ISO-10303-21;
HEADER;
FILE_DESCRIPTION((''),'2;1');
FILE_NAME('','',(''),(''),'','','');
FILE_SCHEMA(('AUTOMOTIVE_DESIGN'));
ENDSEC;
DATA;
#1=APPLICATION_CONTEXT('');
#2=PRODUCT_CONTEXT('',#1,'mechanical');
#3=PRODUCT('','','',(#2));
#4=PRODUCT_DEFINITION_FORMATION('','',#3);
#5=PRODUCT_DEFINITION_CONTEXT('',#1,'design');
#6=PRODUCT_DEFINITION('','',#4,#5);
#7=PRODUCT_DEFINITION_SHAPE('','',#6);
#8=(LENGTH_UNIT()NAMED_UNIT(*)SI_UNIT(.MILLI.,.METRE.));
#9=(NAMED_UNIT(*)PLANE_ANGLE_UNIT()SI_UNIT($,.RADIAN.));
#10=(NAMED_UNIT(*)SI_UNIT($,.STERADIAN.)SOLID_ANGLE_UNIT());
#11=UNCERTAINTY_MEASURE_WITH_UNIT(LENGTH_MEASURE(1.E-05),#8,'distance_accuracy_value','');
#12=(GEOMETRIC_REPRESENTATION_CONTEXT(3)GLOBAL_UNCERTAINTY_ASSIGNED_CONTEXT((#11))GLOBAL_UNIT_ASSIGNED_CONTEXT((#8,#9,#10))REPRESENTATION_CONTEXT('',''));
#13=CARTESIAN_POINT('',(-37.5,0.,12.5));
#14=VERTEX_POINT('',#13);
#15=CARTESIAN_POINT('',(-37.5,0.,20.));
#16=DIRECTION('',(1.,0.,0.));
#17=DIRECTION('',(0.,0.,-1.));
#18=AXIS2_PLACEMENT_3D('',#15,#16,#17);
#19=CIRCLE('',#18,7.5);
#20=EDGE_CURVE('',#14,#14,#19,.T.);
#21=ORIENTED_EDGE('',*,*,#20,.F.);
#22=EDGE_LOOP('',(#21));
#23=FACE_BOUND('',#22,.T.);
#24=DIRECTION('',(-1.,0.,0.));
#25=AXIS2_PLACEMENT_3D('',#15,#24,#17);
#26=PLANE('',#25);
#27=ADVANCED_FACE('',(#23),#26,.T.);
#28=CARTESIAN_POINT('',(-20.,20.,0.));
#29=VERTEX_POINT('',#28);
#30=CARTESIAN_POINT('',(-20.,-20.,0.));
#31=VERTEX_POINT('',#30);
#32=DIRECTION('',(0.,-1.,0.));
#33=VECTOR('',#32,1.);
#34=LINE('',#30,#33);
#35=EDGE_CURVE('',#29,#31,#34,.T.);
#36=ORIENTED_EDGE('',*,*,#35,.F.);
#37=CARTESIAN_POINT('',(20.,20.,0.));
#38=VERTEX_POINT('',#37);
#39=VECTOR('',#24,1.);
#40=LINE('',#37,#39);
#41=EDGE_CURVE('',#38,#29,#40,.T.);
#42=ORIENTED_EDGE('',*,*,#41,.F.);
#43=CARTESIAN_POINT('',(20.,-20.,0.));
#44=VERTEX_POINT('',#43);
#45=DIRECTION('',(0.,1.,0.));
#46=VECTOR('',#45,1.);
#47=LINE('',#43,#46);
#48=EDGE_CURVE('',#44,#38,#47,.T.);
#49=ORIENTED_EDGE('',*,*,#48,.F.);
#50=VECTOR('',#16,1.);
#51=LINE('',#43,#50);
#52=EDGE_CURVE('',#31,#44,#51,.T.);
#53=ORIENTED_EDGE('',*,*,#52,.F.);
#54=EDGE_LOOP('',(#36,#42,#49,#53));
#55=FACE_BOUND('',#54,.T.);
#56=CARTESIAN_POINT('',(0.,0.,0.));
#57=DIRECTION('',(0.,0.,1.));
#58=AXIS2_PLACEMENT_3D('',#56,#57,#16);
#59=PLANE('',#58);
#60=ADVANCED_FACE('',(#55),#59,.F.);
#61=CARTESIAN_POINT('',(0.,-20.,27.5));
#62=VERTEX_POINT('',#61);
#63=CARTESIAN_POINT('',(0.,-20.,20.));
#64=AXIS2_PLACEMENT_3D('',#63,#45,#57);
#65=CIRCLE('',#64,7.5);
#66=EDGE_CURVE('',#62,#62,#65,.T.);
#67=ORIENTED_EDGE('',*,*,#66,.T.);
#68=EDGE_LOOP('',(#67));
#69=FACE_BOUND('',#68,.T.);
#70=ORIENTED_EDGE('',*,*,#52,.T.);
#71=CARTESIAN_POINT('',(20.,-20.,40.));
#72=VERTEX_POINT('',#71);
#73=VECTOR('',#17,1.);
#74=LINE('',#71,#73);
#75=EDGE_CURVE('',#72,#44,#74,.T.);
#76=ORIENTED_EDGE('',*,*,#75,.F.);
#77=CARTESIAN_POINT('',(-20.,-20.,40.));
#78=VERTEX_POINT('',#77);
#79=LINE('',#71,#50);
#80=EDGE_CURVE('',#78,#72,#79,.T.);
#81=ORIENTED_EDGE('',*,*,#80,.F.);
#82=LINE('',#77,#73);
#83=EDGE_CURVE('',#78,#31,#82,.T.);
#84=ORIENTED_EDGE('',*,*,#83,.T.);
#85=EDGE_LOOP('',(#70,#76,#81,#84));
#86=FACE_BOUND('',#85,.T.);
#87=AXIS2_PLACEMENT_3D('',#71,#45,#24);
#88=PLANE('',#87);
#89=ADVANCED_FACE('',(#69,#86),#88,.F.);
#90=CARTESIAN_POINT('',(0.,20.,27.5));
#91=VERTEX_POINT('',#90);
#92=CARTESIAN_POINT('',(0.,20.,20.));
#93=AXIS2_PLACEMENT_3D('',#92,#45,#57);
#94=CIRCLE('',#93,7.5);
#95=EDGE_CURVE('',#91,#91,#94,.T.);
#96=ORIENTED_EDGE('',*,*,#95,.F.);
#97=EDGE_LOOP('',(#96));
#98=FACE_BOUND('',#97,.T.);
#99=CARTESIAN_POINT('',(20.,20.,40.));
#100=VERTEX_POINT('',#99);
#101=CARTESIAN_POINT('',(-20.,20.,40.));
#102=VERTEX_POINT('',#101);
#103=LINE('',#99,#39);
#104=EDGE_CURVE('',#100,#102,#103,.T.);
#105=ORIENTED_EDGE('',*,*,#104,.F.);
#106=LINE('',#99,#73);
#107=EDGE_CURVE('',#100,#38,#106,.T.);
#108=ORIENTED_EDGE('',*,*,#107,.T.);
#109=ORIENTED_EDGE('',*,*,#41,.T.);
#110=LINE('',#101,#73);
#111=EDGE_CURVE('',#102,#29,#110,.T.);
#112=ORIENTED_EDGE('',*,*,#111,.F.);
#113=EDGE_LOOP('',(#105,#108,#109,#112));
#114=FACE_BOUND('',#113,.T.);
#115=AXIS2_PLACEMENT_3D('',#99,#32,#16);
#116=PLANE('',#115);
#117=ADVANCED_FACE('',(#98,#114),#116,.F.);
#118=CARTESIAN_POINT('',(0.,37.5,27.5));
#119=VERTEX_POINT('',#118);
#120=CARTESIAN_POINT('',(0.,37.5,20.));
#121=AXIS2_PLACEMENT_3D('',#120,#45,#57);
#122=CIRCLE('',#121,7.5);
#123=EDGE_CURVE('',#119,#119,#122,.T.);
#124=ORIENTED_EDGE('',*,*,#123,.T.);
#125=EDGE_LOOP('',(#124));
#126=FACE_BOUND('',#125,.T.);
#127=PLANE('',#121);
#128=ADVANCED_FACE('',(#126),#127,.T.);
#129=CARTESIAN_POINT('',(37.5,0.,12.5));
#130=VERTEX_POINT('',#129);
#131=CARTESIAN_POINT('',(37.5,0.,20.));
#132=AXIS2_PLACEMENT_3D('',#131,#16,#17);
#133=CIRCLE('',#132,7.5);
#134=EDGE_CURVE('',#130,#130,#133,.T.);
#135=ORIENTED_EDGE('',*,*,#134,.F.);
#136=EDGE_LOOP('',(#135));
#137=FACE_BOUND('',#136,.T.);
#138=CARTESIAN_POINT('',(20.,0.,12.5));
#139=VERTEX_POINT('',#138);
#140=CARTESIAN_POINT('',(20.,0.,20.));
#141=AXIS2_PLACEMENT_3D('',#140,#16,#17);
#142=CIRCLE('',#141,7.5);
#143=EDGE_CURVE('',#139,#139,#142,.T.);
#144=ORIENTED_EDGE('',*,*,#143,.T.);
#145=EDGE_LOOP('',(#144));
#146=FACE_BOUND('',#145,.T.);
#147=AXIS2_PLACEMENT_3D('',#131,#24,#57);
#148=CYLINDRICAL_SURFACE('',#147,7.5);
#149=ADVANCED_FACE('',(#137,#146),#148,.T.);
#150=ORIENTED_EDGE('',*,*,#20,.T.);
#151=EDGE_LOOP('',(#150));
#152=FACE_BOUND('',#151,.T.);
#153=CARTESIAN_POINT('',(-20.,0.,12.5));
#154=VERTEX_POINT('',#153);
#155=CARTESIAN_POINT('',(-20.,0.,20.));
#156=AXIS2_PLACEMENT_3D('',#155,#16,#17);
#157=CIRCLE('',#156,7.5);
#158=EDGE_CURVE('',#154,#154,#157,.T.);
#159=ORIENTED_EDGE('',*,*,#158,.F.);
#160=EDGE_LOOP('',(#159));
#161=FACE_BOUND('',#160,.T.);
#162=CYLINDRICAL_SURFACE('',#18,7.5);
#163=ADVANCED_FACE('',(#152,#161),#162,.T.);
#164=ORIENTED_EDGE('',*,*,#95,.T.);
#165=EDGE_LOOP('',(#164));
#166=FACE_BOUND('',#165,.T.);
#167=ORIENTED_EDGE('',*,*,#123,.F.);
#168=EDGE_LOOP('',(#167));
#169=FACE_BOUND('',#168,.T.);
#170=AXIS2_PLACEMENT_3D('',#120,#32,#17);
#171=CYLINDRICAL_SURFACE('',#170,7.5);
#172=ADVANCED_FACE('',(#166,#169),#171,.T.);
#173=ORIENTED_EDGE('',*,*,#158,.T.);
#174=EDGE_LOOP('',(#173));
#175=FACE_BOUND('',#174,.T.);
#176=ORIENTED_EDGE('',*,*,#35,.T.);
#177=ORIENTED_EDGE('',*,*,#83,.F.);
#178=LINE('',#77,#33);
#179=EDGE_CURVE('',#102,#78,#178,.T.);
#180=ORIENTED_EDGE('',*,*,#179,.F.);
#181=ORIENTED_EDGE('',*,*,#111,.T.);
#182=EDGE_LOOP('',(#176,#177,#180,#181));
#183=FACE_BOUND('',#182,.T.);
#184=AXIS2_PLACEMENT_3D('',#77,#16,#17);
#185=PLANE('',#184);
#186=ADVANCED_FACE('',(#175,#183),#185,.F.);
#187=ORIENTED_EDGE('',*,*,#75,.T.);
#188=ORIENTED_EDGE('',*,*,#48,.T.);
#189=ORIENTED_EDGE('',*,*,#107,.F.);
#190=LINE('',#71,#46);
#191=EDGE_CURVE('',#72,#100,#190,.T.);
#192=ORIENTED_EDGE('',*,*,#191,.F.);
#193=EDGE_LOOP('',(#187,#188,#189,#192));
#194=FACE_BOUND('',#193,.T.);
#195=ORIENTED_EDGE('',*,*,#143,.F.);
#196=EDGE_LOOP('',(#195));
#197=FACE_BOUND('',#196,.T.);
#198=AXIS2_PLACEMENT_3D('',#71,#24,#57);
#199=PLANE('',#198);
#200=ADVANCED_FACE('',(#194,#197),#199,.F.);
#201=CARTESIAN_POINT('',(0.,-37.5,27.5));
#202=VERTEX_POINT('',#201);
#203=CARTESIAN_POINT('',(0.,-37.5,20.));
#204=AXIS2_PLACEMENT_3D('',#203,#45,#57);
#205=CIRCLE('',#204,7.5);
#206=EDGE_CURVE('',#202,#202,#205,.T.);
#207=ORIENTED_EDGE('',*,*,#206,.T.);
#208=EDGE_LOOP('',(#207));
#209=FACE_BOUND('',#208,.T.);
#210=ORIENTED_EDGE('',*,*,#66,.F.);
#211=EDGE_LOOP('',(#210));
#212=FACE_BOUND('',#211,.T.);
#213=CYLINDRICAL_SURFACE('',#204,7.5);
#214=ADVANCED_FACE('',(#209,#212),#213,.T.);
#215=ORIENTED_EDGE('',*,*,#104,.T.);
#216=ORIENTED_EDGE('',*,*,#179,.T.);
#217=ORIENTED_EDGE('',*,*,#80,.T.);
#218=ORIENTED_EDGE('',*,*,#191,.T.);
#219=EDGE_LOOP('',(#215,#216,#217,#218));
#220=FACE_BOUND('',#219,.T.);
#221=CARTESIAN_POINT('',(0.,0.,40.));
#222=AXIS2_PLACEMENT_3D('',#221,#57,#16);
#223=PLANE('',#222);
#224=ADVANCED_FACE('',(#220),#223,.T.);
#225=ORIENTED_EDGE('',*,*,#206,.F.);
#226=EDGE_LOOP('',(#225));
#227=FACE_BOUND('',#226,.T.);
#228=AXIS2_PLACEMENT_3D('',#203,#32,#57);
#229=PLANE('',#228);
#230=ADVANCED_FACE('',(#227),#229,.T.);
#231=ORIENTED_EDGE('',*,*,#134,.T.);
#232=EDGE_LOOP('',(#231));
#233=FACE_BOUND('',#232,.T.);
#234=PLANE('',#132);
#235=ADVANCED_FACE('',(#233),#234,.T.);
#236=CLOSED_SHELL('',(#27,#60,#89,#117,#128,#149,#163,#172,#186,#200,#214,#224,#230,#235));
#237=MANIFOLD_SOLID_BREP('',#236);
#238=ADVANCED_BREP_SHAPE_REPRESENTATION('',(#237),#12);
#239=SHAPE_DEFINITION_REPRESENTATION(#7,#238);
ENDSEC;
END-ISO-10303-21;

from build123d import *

# Parameters (mm, degrees)
SKETCH1_W           = 40
SKETCH1_H           = 40
BOSS_EXTRUDE1_DEPTH = 40
SKETCH2_R           = 7.5
BOSS_EXTRUDE2_DEPTH = 17.5
SKETCH3_R           = 7.5
BOSS_EXTRUDE3_DEPTH = 17.5


with BuildPart() as part:
    # Sketch1 → Boss-Extrude1 (new body)
    with BuildSketch(Plane.XY):
        Rectangle(SKETCH1_W, SKETCH1_H)
    extrude(amount=BOSS_EXTRUDE1_DEPTH)

    # Sketch2 → Boss-Extrude2 (add)
    with BuildSketch(Plane(origin=(0, 20, 0), x_dir=(1, 0, 0), z_dir=(0, 1, 0))):
        with Locations(Location((0, -20, 0), (0, 0, 270))):
            Circle(SKETCH2_R)
    boss_extrude2 = extrude(amount=BOSS_EXTRUDE2_DEPTH)

    # Mirror1: Boss-Extrude2 across plane
    add(boss_extrude2.mirror(Plane.ZX))

    # Sketch3 → Boss-Extrude3 (add)
    with BuildSketch(Plane(origin=(20, 0, 0), x_dir=(0, 0, -1), z_dir=(1, 0, 0))):
        with Locations((-20, 0)):
            Circle(SKETCH3_R)
    boss_extrude3 = extrude(amount=BOSS_EXTRUDE3_DEPTH)

    # Mirror2: Boss-Extrude3 across plane
    add(boss_extrude3.mirror(Plane(origin=(0, 0, 0), x_dir=(0, 0, 1), z_dir=(1, 0, 0))))


solid = part.part
